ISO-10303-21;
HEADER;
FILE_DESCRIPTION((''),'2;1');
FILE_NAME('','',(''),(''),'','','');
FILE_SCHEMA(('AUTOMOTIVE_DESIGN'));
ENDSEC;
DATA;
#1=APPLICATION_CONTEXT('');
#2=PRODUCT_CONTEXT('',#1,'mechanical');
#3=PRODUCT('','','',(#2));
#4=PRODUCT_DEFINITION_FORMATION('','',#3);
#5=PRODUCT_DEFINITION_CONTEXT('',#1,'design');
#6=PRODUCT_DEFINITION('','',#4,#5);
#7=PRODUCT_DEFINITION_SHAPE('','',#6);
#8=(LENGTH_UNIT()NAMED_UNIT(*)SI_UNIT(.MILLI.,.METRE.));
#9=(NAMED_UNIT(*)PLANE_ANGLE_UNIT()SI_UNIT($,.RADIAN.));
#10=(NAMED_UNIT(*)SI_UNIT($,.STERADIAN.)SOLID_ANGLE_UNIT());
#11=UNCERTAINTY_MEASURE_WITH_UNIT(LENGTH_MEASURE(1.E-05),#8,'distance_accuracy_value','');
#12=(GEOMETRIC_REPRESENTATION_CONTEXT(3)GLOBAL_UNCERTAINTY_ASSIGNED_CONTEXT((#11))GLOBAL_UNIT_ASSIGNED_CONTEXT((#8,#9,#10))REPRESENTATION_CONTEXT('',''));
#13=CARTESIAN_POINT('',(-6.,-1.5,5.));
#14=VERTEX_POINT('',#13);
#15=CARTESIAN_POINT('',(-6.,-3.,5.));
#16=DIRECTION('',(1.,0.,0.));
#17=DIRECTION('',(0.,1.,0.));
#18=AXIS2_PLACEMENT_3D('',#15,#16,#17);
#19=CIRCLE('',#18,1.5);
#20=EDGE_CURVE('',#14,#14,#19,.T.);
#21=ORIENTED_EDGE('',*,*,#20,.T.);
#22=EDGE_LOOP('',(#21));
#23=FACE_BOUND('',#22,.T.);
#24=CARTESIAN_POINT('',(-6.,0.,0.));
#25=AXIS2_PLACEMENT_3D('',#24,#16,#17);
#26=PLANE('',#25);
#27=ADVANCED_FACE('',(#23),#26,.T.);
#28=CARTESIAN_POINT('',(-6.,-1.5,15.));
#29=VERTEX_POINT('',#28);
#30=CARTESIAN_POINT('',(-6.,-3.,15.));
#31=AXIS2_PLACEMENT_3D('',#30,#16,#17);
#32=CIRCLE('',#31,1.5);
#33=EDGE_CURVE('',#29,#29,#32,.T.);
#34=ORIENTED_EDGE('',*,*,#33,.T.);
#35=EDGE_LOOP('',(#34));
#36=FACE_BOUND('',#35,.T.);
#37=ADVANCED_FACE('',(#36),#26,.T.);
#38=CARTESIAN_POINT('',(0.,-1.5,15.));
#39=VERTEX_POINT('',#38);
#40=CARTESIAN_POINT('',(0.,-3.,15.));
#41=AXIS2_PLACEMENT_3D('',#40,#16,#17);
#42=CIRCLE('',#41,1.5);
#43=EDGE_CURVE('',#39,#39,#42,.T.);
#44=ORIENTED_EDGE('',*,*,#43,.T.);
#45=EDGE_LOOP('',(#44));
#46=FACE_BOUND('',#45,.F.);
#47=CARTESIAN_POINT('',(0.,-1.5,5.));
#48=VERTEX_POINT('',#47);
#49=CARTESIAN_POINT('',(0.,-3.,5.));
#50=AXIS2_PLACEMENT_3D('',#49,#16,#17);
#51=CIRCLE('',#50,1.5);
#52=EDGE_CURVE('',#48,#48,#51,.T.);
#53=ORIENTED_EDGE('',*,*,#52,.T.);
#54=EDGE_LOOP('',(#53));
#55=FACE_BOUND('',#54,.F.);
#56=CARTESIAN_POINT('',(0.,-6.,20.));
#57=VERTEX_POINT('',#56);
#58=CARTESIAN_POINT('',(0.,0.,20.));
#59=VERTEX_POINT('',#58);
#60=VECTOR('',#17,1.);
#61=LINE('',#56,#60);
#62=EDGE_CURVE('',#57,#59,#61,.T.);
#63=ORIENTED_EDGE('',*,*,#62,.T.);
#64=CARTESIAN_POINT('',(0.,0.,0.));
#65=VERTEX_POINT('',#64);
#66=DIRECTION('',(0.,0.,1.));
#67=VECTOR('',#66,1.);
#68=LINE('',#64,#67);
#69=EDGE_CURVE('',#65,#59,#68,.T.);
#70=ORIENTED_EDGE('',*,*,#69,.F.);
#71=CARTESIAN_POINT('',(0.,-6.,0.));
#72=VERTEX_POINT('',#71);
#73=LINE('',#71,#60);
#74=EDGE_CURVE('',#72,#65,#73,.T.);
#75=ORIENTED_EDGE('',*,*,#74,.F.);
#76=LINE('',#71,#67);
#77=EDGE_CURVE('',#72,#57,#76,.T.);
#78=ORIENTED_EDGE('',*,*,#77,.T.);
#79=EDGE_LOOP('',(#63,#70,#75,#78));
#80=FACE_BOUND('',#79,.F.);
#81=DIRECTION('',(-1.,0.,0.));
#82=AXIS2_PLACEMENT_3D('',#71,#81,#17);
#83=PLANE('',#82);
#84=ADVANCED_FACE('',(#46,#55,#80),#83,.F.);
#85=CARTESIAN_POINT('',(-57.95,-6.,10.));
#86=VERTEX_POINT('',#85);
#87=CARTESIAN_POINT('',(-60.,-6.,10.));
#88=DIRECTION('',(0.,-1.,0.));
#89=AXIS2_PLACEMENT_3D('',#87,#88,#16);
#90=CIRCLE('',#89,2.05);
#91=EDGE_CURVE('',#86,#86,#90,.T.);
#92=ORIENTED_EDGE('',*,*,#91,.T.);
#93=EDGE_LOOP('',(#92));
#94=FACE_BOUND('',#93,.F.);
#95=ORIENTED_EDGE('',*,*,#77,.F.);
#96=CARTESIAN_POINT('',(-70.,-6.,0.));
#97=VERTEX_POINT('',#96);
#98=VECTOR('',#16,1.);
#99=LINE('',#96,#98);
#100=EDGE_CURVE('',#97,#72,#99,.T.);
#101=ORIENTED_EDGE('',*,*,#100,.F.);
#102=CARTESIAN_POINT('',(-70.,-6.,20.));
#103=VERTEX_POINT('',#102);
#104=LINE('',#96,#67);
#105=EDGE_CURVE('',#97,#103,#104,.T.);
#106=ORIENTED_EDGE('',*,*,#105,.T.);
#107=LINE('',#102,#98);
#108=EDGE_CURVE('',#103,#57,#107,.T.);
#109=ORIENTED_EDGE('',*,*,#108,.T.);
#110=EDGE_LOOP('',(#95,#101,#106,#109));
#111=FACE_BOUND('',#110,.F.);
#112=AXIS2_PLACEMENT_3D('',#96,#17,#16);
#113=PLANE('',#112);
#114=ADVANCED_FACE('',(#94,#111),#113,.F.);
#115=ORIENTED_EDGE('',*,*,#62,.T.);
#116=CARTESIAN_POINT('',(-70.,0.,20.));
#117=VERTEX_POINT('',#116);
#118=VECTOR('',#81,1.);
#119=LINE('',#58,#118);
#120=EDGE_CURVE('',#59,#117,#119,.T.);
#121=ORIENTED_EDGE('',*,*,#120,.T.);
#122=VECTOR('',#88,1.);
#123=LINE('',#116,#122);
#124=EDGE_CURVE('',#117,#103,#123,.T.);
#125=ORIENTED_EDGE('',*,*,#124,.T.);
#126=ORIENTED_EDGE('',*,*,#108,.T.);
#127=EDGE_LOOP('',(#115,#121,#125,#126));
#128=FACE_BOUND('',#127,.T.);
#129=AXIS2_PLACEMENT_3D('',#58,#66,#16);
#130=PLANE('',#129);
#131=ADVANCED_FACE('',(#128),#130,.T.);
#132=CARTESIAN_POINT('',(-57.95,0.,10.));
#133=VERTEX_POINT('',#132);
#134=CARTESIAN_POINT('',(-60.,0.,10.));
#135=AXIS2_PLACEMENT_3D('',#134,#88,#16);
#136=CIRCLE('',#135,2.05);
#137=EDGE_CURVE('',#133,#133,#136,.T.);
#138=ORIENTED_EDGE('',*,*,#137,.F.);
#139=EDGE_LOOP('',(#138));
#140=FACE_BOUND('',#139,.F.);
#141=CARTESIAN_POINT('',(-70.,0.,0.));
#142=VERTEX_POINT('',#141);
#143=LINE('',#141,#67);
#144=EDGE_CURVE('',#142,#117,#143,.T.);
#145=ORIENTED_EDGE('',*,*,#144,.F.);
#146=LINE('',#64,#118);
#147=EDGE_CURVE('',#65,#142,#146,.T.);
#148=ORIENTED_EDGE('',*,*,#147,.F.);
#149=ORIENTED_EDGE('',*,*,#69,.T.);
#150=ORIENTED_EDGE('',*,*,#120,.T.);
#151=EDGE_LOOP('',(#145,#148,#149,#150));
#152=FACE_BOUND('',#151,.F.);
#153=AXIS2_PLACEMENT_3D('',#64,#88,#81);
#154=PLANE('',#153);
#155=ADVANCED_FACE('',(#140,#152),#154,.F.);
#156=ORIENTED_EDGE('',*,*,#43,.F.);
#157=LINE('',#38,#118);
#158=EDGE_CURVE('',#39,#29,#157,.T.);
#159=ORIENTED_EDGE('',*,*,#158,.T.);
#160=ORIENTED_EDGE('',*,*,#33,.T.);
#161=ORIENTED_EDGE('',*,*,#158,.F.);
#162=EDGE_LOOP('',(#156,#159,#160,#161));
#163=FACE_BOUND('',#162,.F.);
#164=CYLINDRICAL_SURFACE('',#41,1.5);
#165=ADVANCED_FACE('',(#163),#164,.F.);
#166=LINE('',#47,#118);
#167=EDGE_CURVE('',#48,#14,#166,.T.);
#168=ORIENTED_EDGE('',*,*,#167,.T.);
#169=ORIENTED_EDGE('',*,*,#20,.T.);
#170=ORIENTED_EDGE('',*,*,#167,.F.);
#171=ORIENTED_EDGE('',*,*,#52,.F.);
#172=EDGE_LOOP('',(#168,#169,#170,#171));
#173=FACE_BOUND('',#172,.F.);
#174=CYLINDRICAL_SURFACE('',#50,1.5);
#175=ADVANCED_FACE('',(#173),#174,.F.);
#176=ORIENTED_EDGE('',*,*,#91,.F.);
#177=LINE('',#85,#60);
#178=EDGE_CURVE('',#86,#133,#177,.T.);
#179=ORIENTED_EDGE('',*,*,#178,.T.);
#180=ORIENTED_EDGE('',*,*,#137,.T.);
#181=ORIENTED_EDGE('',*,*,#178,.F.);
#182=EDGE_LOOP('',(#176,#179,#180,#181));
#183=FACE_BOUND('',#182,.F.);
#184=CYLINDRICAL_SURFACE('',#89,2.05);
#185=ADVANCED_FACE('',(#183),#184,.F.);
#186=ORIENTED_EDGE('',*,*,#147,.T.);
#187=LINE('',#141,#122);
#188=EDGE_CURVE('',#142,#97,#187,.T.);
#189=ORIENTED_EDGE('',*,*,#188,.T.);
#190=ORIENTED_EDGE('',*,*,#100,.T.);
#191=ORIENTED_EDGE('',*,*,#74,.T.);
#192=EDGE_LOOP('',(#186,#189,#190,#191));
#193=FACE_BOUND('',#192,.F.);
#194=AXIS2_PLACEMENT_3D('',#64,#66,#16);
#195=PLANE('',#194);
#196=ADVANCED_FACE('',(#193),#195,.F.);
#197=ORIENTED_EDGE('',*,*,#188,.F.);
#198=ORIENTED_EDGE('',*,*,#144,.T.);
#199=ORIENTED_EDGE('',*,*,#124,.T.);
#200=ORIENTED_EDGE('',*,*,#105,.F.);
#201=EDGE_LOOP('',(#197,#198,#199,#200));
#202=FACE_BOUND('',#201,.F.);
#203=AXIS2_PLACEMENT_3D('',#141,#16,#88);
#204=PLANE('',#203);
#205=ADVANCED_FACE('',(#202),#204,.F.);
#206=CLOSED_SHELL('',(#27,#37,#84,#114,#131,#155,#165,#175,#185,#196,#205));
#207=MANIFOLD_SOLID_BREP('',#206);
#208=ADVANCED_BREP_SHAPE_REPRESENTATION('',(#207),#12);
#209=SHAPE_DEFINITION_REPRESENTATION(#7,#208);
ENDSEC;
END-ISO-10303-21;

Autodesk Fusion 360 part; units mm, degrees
sketch "スケッチ1" plane through (0, 0, 0) normal (0, 0, 1) x (1, 0, 0)
  line L0 (0, 0) -> (-70, 0)
  line L1 (-70, 0) -> (-70, -6)
  line L2 (-70, -6) -> (0, -6)
  line L3 (0, -6) -> (0, 0)
extrude "押し出し1" add sketch "スケッチ1" along normal blind 20
sketch "スケッチ2" plane through (0, -6, 0) normal (0, -1, 0) x (1, 0, 0)
  line L0 (-70, 0) -> (0, 0)
  line L1 (0, 0) -> (0, 20)
  line L2 (0, 20) -> (-70, 20)
  line L3 (-70, 20) -> (-70, 0)
  circle A0 centre (-60, 10) radius 2.05
extrude "押し出し2" cut sketch "スケッチ2" against normal blind 6 contours A0
sketch "スケッチ3" plane through (0, 0, 0) normal (1, 0, 0) x (0, 1, 0)
  line L0 (-6, 0) -> (0, 0)
  line L1 (0, 0) -> (0, 20)
  line L2 (0, 20) -> (-6, 20)
  line L3 (-6, 20) -> (-6, 0)
  circle A0 centre (-3, 5) radius 1.5
  circle A1 centre (-3, 15) radius 1.5
extrude "押し出し3" cut sketch "スケッチ3" against normal blind 6 contours A0 | A1
